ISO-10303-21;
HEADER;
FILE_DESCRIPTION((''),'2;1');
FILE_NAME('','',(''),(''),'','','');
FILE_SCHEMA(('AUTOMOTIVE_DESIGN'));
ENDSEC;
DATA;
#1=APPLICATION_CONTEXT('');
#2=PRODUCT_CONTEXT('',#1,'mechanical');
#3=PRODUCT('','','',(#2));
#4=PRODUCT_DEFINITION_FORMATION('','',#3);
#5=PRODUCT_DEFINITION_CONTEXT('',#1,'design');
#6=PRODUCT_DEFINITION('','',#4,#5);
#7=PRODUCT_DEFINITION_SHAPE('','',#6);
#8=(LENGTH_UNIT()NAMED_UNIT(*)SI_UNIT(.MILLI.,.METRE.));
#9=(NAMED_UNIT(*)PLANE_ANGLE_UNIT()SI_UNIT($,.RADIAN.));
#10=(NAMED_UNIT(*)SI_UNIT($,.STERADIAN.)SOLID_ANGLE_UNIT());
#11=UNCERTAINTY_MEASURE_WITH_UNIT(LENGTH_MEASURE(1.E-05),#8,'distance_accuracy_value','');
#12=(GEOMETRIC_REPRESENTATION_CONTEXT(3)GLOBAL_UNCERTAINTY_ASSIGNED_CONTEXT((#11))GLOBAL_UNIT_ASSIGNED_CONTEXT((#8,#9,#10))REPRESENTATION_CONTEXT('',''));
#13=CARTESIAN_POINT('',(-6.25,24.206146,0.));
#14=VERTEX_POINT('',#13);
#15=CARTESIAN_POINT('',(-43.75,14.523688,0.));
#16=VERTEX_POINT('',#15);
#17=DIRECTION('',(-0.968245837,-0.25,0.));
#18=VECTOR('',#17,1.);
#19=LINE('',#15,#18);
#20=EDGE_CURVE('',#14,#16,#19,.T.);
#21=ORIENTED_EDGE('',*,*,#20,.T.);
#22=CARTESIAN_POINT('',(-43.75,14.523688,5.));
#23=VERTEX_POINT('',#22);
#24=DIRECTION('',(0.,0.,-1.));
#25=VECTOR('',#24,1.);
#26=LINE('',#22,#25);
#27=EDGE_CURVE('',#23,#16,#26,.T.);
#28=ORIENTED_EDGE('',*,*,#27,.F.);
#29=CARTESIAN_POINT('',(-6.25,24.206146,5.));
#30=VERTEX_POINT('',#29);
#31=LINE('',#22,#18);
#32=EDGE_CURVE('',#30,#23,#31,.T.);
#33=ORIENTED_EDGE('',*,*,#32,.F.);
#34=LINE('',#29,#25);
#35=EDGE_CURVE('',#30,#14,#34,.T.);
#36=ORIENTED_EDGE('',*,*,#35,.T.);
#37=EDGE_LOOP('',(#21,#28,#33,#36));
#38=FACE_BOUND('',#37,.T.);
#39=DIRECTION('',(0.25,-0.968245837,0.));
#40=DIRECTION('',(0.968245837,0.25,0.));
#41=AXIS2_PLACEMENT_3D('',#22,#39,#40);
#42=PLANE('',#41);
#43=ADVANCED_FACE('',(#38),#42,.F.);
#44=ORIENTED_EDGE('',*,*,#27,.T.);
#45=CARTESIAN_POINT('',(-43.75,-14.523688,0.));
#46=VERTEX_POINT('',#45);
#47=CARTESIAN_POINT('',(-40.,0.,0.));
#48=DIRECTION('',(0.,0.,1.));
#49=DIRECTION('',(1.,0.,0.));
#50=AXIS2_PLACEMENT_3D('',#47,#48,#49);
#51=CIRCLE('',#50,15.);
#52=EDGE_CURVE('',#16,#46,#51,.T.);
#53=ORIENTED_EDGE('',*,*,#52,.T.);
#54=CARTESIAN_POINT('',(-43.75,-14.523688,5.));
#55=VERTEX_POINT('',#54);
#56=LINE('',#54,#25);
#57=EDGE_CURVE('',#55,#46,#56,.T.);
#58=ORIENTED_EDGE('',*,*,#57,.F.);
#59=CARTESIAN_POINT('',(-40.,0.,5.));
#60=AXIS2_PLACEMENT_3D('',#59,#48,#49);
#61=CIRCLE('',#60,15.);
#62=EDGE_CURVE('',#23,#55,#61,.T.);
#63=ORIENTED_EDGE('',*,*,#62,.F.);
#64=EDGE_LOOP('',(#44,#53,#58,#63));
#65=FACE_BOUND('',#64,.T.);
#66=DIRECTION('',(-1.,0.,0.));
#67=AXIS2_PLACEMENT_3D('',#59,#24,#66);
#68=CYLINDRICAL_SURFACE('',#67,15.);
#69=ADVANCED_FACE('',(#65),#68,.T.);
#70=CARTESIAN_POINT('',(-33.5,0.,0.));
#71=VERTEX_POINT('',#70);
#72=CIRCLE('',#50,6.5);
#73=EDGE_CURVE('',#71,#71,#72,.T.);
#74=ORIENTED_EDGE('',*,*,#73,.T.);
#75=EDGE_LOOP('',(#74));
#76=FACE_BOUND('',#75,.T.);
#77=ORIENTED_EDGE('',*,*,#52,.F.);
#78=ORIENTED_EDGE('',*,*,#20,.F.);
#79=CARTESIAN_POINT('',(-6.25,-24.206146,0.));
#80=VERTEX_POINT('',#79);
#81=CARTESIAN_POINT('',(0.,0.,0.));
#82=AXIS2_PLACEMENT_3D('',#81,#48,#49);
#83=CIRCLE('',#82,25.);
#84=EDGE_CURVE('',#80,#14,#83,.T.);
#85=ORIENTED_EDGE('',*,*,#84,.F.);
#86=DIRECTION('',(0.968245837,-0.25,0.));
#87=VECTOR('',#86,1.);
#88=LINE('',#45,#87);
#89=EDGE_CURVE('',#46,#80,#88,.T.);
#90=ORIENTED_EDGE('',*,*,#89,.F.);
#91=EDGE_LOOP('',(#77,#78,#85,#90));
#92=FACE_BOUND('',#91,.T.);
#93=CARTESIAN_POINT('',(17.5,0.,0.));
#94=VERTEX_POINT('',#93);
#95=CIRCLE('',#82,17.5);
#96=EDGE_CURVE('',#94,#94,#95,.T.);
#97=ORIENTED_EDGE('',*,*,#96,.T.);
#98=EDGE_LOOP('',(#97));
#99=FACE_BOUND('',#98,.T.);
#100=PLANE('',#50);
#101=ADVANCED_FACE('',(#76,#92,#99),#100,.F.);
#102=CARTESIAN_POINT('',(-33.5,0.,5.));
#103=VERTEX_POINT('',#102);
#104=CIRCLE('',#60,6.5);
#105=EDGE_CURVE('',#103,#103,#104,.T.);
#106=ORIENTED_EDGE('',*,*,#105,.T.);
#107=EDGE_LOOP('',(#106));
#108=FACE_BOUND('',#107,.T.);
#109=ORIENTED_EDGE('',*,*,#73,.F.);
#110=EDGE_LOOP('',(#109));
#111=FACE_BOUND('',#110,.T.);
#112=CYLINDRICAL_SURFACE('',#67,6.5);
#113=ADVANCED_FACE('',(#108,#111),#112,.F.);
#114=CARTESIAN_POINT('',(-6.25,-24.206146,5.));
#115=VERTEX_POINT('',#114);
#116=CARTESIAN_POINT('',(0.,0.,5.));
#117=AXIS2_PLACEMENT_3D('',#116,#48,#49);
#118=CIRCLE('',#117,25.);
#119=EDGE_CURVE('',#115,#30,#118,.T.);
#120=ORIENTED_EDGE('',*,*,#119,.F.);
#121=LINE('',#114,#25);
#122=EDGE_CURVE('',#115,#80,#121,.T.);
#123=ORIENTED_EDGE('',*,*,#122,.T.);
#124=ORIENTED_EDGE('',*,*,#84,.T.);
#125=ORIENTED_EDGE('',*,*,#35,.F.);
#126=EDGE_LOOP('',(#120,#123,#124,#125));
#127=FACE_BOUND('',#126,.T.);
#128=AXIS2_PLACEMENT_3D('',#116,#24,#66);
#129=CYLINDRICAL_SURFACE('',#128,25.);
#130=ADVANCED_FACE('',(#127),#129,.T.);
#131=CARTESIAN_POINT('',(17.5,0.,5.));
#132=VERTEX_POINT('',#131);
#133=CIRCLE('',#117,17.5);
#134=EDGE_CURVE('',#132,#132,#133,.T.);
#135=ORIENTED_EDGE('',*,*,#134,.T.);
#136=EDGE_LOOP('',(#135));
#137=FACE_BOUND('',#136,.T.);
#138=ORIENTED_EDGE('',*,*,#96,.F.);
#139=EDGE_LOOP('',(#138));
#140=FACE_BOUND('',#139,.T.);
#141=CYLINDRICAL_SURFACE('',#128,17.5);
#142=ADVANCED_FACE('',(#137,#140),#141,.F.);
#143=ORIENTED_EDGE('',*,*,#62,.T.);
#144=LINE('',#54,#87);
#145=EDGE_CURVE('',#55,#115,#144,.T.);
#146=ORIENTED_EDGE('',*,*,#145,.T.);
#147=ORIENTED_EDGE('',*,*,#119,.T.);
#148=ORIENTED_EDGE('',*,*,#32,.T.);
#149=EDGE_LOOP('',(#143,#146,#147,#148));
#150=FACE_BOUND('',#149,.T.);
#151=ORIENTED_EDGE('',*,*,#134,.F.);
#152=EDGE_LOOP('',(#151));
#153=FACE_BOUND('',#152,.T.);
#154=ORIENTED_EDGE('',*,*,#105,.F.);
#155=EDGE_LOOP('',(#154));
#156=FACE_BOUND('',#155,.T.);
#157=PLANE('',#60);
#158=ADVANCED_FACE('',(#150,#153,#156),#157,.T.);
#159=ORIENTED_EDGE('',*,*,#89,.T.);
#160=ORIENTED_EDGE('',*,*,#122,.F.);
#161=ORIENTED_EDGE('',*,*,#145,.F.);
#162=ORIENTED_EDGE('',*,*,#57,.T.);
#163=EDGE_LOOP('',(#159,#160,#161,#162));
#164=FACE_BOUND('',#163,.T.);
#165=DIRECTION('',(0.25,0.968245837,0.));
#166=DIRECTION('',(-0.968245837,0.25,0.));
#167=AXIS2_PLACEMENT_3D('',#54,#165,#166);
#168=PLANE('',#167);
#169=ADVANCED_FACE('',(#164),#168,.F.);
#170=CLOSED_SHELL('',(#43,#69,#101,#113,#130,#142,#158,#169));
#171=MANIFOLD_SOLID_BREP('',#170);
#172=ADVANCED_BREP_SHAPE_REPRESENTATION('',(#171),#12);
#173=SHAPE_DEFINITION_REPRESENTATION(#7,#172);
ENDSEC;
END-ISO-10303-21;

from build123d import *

# Parameters (mm, degrees)
SKETCH_1_R      = 17.5
SKETCH_1_R_2    = 6.5
EXTRUDE_1_DEPTH = 5


with BuildPart() as part:
    # 草图1 → 凸台-拉伸1 (new body)
    with BuildSketch(Plane.XY):
        with BuildLine():
            Line((-43.75, 14.523687548), (-6.25, 24.206145914))
            ThreePointArc((-6.25, 24.206145914), (25, 0), (-6.25, -24.206145914))
            Line((-6.25, -24.206145914), (-43.75, -14.523687548))
            ThreePointArc((-43.75, -14.523687548), (-55, 0), (-43.75, 14.523687548))
        make_face()
        Circle(SKETCH_1_R, mode=Mode.SUBTRACT)
        with Locations((-40, 0)):
            Circle(SKETCH_1_R_2, mode=Mode.SUBTRACT)
    extrude(amount=EXTRUDE_1_DEPTH)


solid = part.part
